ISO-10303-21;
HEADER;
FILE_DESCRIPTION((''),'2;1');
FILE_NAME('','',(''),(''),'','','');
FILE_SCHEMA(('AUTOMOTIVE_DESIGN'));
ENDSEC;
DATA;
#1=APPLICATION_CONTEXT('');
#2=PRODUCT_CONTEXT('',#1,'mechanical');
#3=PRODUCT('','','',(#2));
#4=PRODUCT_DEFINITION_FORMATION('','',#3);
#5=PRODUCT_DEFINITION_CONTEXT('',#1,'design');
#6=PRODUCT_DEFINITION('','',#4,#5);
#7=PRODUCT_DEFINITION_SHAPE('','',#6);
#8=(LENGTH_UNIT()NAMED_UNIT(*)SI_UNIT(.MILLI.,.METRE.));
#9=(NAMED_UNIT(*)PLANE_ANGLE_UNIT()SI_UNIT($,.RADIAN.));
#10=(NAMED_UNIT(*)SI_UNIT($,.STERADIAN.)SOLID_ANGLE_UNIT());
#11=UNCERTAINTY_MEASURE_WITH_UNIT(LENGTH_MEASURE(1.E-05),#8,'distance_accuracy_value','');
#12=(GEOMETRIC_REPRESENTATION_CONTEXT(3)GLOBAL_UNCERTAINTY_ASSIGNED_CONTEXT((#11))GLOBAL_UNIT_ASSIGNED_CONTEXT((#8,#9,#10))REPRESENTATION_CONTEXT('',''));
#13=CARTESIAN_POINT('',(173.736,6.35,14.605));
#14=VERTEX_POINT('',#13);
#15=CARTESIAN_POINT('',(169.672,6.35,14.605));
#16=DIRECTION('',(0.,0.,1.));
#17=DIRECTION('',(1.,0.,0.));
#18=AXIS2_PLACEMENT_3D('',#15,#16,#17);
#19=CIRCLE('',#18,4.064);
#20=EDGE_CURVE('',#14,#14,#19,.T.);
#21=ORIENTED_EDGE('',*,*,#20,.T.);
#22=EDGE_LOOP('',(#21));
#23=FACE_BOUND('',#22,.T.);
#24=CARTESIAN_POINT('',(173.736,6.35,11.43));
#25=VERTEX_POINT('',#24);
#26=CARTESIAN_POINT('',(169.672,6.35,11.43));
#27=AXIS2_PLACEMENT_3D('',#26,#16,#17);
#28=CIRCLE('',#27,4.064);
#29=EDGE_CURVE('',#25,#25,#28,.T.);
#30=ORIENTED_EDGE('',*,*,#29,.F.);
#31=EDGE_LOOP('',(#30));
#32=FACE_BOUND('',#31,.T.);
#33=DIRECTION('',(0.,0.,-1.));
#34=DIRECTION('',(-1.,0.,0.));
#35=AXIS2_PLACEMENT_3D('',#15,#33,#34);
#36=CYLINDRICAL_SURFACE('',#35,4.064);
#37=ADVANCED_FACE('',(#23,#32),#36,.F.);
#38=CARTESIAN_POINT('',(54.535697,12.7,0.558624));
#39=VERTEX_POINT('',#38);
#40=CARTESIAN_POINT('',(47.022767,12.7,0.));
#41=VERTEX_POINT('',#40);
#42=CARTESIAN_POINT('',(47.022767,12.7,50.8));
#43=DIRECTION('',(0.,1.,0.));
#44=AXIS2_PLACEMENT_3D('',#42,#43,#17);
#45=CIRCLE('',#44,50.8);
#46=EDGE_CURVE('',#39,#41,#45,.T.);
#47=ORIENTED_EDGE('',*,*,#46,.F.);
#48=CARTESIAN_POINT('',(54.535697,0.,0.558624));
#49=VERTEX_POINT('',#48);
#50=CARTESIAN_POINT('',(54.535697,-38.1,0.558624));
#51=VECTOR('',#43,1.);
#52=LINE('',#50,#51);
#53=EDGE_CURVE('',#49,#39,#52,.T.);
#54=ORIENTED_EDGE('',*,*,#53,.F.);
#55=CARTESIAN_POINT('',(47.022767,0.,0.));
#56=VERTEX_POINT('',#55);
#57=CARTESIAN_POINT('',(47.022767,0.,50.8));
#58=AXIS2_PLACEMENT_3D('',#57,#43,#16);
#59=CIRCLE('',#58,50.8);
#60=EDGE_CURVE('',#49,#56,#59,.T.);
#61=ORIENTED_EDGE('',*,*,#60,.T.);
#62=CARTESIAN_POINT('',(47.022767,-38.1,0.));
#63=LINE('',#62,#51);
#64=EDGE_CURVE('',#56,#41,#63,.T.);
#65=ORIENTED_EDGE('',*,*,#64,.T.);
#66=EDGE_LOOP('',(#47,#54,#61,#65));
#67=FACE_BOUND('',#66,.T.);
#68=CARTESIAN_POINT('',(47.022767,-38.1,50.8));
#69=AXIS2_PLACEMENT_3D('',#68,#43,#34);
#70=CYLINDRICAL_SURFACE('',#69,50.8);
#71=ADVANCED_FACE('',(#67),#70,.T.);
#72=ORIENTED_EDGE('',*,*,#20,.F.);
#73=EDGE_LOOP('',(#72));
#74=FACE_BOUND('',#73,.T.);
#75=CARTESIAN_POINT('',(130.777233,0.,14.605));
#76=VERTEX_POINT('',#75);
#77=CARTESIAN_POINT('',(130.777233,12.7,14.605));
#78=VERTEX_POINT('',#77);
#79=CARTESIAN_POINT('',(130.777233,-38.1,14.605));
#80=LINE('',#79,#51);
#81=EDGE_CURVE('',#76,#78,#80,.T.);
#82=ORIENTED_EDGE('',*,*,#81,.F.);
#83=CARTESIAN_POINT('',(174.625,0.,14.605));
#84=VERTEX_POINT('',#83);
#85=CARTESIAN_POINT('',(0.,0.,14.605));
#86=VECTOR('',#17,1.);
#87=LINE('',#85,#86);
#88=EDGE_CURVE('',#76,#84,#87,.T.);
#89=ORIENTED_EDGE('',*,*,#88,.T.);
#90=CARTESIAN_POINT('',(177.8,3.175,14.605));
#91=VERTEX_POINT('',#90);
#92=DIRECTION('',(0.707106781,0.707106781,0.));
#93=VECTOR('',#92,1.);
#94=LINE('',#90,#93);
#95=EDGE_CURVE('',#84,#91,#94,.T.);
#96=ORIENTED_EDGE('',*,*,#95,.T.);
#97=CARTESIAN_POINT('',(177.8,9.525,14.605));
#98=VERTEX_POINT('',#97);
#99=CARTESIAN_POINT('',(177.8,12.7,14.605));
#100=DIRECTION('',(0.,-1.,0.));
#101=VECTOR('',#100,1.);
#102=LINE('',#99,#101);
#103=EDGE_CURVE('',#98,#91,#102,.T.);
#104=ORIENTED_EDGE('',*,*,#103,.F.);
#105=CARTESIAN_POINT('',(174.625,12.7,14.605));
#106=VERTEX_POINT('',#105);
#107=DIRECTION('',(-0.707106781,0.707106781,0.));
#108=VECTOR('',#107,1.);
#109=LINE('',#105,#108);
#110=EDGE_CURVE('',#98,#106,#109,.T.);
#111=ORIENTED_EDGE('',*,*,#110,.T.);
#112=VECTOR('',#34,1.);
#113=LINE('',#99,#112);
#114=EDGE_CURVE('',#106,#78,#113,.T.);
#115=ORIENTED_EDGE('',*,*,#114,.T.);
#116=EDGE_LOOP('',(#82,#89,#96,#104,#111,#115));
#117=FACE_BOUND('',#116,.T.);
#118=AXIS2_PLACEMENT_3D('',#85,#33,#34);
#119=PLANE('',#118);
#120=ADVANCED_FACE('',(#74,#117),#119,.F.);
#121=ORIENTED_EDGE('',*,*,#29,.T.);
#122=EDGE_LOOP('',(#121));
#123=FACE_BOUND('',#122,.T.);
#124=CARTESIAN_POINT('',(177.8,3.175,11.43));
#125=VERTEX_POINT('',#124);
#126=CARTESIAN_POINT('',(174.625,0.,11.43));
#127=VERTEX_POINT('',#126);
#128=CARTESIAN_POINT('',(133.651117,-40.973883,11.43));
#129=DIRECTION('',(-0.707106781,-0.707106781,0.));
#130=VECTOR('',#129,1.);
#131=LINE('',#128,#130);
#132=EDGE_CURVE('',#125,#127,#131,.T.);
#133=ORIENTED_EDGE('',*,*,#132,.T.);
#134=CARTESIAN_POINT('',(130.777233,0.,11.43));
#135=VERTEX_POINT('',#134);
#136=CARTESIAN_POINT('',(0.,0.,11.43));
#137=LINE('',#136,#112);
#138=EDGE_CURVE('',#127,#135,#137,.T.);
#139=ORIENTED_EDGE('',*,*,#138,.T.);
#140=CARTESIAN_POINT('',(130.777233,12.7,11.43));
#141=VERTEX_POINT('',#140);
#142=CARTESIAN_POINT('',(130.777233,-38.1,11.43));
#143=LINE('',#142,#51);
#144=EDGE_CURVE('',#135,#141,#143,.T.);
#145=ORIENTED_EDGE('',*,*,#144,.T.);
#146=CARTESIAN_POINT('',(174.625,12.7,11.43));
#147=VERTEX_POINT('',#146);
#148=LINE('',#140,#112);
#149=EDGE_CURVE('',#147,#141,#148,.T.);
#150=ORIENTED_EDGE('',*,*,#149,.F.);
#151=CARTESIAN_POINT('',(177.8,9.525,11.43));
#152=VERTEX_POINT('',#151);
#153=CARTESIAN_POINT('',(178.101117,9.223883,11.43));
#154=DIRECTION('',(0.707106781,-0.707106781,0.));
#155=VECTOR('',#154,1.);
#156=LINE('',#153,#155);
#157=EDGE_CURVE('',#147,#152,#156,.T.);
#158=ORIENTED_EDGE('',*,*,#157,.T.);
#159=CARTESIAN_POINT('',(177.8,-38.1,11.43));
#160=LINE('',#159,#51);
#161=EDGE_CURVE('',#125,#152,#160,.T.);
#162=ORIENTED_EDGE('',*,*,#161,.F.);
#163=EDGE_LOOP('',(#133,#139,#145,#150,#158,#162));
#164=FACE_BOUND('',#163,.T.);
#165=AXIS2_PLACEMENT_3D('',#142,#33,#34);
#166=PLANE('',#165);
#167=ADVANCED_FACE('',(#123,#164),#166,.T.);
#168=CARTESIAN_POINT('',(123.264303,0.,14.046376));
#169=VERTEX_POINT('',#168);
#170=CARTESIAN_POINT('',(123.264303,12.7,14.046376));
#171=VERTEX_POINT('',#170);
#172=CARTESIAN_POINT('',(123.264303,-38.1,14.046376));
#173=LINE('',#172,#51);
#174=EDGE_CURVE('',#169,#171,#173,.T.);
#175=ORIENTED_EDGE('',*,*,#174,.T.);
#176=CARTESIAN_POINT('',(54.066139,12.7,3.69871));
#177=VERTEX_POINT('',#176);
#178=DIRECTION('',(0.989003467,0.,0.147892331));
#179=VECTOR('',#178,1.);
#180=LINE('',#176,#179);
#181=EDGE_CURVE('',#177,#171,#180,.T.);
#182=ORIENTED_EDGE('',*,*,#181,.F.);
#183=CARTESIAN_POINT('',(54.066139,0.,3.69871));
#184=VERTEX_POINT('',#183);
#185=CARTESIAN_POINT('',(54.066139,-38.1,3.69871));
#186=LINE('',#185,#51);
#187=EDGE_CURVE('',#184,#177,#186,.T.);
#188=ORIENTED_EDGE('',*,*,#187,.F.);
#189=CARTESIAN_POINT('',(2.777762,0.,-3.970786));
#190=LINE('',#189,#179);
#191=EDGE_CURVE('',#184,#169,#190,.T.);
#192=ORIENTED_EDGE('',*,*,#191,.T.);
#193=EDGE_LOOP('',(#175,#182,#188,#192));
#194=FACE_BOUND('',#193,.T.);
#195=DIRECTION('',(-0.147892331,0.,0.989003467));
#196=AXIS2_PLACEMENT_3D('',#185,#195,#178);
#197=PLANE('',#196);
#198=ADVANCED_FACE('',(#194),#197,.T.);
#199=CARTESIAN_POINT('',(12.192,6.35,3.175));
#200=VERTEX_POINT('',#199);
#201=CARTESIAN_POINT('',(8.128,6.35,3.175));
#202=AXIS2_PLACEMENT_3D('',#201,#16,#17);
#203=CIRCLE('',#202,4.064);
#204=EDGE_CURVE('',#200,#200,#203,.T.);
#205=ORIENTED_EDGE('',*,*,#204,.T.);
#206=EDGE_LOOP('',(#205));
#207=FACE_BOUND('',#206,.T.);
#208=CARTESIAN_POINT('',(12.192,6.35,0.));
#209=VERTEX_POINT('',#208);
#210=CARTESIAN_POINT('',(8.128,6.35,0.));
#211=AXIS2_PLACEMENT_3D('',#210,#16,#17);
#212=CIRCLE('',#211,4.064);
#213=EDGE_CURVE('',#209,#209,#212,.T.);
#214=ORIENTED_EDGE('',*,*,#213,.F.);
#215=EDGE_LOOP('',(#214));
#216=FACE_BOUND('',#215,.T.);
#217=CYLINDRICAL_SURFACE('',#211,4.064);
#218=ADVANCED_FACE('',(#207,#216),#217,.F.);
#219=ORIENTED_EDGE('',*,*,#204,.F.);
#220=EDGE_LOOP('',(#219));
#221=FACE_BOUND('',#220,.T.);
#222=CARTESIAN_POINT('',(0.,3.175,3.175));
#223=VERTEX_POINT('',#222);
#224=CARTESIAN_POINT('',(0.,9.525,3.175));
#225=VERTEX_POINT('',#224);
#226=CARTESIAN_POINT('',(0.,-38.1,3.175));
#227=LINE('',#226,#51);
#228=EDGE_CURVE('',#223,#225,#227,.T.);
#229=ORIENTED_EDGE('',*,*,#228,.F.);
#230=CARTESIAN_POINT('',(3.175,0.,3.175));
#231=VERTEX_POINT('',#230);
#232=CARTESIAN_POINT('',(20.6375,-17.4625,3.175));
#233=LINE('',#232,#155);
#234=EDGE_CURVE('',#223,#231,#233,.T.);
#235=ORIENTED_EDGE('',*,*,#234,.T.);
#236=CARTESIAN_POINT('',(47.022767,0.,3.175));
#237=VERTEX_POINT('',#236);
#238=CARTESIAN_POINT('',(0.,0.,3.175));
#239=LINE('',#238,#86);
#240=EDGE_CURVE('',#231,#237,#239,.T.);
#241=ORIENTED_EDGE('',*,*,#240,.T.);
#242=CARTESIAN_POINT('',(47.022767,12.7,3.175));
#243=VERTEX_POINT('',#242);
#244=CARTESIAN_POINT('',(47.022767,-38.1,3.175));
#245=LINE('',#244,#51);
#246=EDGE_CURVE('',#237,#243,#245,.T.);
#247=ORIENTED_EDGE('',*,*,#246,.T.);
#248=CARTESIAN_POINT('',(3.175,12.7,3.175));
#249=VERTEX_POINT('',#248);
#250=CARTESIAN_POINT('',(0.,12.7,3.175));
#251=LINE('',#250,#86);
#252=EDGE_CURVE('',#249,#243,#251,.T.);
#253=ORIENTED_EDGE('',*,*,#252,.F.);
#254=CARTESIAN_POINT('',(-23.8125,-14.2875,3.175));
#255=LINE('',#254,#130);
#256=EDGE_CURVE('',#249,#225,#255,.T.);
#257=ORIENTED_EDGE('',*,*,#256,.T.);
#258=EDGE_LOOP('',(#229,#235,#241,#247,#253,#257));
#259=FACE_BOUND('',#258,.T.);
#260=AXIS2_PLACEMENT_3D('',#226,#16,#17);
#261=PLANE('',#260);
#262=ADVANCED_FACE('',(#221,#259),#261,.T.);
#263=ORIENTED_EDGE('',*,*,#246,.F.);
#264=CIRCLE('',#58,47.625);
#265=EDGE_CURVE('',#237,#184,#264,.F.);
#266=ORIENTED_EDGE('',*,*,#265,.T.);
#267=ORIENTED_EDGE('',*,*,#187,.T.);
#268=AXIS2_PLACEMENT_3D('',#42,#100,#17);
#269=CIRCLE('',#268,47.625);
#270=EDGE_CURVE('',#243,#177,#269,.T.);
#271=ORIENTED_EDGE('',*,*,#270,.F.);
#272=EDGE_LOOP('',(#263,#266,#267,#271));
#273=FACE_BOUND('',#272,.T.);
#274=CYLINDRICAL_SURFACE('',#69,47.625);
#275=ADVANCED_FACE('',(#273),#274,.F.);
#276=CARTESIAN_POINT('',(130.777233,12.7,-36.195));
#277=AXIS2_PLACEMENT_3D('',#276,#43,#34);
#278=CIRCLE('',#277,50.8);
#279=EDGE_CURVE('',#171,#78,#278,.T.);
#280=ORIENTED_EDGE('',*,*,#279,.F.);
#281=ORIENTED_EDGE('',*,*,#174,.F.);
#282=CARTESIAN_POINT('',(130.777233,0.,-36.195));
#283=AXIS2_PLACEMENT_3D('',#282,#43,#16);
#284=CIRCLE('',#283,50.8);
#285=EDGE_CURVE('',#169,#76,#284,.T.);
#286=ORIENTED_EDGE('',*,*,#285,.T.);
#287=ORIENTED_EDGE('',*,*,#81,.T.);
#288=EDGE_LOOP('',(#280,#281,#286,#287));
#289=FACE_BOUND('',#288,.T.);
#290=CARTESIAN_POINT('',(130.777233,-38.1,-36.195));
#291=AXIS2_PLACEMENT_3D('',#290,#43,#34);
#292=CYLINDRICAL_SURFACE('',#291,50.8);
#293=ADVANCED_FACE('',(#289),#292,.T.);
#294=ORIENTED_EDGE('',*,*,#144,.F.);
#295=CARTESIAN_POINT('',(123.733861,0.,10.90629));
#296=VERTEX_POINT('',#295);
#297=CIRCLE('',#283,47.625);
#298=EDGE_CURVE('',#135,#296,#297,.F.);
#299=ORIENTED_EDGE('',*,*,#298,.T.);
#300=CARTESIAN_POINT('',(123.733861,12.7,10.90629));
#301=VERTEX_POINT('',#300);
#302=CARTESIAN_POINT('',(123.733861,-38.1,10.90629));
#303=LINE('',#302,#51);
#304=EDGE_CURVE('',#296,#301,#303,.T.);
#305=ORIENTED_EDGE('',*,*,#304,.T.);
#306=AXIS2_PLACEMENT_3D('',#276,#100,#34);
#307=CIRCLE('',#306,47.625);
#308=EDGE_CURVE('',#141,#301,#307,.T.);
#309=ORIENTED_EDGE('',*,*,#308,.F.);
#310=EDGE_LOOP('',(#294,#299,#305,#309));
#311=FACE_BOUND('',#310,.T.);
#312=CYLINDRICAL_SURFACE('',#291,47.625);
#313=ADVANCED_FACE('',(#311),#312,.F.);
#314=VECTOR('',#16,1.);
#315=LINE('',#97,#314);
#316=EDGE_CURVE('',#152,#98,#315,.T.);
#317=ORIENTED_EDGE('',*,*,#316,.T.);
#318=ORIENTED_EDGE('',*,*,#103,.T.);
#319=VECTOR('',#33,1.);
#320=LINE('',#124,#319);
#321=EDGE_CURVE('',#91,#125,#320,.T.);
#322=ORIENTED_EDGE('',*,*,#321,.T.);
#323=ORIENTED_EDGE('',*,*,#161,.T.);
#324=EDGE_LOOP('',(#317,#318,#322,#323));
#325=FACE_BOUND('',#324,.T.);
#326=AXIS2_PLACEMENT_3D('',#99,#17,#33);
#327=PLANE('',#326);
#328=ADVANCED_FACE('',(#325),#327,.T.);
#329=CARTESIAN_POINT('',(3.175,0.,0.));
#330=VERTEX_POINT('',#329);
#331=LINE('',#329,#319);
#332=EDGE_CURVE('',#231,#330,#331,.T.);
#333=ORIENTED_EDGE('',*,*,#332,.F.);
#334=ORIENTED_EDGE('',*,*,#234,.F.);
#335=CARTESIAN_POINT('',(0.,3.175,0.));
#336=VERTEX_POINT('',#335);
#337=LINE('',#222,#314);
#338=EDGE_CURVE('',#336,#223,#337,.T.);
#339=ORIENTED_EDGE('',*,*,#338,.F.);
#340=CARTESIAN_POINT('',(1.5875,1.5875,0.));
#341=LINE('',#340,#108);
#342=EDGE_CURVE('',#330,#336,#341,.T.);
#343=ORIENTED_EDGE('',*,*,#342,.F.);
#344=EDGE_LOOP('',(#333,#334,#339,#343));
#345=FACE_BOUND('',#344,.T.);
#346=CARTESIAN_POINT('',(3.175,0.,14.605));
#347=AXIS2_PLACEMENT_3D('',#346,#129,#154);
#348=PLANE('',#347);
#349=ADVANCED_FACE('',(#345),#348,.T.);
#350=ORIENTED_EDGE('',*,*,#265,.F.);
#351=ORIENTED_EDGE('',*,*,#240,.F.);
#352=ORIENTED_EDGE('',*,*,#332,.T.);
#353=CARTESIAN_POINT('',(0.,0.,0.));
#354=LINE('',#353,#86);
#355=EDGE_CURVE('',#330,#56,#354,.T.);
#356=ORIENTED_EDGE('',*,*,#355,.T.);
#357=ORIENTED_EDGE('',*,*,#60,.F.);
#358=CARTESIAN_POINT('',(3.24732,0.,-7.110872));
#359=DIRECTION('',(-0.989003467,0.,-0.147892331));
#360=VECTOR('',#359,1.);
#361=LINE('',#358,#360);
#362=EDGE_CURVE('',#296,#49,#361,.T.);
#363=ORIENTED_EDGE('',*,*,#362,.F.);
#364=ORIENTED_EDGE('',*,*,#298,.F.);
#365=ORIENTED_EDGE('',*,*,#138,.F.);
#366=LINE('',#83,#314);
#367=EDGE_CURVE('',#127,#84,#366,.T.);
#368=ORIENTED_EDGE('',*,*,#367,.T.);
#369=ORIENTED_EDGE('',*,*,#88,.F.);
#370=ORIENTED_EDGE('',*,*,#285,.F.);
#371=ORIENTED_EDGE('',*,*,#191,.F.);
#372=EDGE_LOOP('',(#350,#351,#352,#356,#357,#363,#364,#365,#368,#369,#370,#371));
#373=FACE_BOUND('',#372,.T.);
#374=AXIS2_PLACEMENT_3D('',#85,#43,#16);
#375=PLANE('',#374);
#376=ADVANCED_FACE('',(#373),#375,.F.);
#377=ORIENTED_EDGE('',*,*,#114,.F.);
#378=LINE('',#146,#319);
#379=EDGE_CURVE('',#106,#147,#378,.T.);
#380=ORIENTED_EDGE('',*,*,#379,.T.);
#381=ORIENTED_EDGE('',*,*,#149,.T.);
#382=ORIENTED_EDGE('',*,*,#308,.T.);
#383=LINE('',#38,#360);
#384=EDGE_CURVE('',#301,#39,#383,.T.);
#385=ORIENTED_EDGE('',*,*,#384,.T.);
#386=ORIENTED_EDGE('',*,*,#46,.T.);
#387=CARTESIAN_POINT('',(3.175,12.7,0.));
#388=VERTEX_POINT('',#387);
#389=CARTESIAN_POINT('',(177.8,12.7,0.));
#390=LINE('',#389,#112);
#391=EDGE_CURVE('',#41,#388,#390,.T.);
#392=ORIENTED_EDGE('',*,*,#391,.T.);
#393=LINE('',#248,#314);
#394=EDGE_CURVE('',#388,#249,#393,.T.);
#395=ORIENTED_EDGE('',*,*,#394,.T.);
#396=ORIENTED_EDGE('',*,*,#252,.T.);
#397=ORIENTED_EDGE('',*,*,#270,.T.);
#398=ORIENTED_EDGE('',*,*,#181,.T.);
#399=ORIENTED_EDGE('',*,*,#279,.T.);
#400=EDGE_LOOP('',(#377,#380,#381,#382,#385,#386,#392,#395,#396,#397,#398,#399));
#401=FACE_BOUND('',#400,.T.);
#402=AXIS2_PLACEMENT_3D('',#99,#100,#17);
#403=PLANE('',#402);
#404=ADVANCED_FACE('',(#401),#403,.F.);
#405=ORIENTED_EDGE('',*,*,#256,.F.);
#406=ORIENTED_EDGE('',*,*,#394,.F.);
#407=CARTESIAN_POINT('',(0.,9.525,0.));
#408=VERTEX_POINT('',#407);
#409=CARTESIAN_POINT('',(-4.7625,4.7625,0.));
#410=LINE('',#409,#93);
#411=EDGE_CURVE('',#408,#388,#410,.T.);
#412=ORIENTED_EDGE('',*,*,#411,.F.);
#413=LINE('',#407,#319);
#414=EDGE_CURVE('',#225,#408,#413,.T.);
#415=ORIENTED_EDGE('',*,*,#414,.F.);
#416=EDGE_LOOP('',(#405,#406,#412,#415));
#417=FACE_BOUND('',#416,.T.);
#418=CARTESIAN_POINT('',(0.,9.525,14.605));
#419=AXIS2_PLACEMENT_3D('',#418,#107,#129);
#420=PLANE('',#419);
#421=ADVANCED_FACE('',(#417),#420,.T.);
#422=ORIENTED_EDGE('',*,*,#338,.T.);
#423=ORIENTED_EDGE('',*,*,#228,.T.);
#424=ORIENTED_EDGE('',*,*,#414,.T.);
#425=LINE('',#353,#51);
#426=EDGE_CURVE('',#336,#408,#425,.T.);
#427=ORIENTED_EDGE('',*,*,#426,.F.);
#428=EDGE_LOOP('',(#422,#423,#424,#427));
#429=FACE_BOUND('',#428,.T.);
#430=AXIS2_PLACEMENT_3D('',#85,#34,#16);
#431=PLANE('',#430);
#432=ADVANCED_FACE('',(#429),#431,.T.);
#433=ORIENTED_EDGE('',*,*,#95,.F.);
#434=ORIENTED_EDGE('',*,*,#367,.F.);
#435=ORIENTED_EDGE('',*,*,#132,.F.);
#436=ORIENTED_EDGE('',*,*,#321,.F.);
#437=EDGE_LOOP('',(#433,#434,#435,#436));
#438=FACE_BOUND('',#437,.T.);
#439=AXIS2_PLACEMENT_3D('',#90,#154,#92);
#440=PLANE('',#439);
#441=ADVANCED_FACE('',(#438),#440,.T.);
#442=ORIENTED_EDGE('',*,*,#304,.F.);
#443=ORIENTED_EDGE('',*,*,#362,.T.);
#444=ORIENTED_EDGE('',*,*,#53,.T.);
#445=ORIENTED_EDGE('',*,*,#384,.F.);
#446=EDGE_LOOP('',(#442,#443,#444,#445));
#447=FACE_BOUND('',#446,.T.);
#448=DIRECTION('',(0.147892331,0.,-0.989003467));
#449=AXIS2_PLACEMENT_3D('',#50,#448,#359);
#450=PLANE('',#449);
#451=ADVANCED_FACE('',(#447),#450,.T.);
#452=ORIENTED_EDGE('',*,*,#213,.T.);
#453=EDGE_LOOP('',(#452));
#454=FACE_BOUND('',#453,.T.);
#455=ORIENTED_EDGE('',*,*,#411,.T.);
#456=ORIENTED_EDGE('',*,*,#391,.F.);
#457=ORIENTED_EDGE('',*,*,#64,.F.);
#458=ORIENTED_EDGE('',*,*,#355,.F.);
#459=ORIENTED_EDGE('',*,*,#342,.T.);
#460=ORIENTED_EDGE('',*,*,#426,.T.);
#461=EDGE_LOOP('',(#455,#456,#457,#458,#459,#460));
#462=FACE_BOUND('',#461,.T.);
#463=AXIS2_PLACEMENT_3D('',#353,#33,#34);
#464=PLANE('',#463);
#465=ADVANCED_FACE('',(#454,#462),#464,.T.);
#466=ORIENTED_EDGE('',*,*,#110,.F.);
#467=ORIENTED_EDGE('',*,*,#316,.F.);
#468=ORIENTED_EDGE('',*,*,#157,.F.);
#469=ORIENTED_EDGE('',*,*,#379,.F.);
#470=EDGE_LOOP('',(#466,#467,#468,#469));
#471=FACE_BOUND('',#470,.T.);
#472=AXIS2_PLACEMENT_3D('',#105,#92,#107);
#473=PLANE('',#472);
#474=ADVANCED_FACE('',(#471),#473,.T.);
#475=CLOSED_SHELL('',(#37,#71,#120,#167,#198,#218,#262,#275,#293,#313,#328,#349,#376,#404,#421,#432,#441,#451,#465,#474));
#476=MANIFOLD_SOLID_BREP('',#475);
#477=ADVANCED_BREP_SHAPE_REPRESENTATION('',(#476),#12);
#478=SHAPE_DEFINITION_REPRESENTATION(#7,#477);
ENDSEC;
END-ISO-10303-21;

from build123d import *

# Parameters (mm, degrees)
SKETCH1_W          = 177.8
SKETCH1_H          = 12.7
BASE_EXTRUDE_DEPTH = 14.605
EXTRUDE1_DEPTH     = 50.8
SKETCH2_R          = 4.064
CUT_EXTRUDE1_DEPTH = 4.175
SKETCH3_R          = 4.064
CUT_EXTRUDE2_DEPTH = 4.175
CHAMFER1_SIZE      = 3.175
CHAMFER2_SIZE      = 3.175


with BuildPart() as part:
    # Sketch1 → Base-Extrude (new body)
    with BuildSketch(Plane.XY):
        with Locations((88.9, 6.35)):
            Rectangle(SKETCH1_W, SKETCH1_H)
    extrude(amount=BASE_EXTRUDE_DEPTH)


with BuildPart() as body_2:
    # Sketch5 → Extrude1 (new body)
    with BuildSketch(Plane(origin=(0, 12.7, 0), x_dir=(-1, 0, 0), z_dir=(0, 1, 0))):
        with BuildLine():
            Line((0, 0), (-47.022766551, 0))
            ThreePointArc((-47.022766551, 0), (-50.789601569, 0.139848461), (-54.535696978, 0.55862386))
            Line((-54.535696978, 0.55862386), (-123.733861174, 10.906290131))
            ThreePointArc((-123.733861174, 10.906290131), (-127.245825619, 11.298892068), (-130.777233449, 11.43))
            Line((-130.777233449, 11.43), (-177.8, 11.43))
            Line((-177.8, 11.43), (-177.8, 14.605))
            Line((-177.8, 14.605), (-130.777233449, 14.605))
            ThreePointArc((-130.777233449, 14.605), (-127.010398431, 14.465151539), (-123.264303022, 14.04637614))
            Line((-123.264303022, 14.04637614), (-54.066138826, 3.698709869))
            ThreePointArc((-54.066138826, 3.698709869), (-50.554174381, 3.306107932), (-47.022766551, 3.175))
            Line((-47.022766551, 3.175), (0, 3.175))
            Line((0, 3.175), (0, 0))
        make_face()
    extrude(amount=-EXTRUDE1_DEPTH)


with BuildPart() as part_1:
    add(part.part)

    # Combine1: intersect body 2
    add(body_2.part, mode=Mode.INTERSECT)

    # Sketch2 → Cut-Extrude1 (cut, through all)
    with BuildSketch(Plane.XY.offset(3.175)):
        with Locations((8.128, 6.35)):
            Circle(SKETCH2_R)
    extrude(amount=-CUT_EXTRUDE1_DEPTH, mode=Mode.SUBTRACT)

    # Sketch3 → Cut-Extrude2 (cut, through all)
    with BuildSketch(Plane(origin=(185.269572221, -0.228654981, 11.43), x_dir=(1, 0, 0), z_dir=(0, 0, 1))):
        with Locations((-15.597572221, 6.578654981)):
            Circle(SKETCH3_R)
    extrude(amount=CUT_EXTRUDE2_DEPTH, mode=Mode.SUBTRACT)

    # Chamfer1
    chamfer1_edges = [part_1.edges().sort_by_distance(p)[0] for p in [
        (177.8, 0, 13.0175),
        (177.8, 12.7, 13.0175),
    ]]
    chamfer(chamfer1_edges, length=CHAMFER1_SIZE)

    # Chamfer2
    chamfer2_edges = [part_1.edges().sort_by_distance(p)[0] for p in [
        (0, 12.7, 1.5875),
        (0, 0, 1.5875),
    ]]
    chamfer(chamfer2_edges, length=CHAMFER2_SIZE)


solid = part_1.part
